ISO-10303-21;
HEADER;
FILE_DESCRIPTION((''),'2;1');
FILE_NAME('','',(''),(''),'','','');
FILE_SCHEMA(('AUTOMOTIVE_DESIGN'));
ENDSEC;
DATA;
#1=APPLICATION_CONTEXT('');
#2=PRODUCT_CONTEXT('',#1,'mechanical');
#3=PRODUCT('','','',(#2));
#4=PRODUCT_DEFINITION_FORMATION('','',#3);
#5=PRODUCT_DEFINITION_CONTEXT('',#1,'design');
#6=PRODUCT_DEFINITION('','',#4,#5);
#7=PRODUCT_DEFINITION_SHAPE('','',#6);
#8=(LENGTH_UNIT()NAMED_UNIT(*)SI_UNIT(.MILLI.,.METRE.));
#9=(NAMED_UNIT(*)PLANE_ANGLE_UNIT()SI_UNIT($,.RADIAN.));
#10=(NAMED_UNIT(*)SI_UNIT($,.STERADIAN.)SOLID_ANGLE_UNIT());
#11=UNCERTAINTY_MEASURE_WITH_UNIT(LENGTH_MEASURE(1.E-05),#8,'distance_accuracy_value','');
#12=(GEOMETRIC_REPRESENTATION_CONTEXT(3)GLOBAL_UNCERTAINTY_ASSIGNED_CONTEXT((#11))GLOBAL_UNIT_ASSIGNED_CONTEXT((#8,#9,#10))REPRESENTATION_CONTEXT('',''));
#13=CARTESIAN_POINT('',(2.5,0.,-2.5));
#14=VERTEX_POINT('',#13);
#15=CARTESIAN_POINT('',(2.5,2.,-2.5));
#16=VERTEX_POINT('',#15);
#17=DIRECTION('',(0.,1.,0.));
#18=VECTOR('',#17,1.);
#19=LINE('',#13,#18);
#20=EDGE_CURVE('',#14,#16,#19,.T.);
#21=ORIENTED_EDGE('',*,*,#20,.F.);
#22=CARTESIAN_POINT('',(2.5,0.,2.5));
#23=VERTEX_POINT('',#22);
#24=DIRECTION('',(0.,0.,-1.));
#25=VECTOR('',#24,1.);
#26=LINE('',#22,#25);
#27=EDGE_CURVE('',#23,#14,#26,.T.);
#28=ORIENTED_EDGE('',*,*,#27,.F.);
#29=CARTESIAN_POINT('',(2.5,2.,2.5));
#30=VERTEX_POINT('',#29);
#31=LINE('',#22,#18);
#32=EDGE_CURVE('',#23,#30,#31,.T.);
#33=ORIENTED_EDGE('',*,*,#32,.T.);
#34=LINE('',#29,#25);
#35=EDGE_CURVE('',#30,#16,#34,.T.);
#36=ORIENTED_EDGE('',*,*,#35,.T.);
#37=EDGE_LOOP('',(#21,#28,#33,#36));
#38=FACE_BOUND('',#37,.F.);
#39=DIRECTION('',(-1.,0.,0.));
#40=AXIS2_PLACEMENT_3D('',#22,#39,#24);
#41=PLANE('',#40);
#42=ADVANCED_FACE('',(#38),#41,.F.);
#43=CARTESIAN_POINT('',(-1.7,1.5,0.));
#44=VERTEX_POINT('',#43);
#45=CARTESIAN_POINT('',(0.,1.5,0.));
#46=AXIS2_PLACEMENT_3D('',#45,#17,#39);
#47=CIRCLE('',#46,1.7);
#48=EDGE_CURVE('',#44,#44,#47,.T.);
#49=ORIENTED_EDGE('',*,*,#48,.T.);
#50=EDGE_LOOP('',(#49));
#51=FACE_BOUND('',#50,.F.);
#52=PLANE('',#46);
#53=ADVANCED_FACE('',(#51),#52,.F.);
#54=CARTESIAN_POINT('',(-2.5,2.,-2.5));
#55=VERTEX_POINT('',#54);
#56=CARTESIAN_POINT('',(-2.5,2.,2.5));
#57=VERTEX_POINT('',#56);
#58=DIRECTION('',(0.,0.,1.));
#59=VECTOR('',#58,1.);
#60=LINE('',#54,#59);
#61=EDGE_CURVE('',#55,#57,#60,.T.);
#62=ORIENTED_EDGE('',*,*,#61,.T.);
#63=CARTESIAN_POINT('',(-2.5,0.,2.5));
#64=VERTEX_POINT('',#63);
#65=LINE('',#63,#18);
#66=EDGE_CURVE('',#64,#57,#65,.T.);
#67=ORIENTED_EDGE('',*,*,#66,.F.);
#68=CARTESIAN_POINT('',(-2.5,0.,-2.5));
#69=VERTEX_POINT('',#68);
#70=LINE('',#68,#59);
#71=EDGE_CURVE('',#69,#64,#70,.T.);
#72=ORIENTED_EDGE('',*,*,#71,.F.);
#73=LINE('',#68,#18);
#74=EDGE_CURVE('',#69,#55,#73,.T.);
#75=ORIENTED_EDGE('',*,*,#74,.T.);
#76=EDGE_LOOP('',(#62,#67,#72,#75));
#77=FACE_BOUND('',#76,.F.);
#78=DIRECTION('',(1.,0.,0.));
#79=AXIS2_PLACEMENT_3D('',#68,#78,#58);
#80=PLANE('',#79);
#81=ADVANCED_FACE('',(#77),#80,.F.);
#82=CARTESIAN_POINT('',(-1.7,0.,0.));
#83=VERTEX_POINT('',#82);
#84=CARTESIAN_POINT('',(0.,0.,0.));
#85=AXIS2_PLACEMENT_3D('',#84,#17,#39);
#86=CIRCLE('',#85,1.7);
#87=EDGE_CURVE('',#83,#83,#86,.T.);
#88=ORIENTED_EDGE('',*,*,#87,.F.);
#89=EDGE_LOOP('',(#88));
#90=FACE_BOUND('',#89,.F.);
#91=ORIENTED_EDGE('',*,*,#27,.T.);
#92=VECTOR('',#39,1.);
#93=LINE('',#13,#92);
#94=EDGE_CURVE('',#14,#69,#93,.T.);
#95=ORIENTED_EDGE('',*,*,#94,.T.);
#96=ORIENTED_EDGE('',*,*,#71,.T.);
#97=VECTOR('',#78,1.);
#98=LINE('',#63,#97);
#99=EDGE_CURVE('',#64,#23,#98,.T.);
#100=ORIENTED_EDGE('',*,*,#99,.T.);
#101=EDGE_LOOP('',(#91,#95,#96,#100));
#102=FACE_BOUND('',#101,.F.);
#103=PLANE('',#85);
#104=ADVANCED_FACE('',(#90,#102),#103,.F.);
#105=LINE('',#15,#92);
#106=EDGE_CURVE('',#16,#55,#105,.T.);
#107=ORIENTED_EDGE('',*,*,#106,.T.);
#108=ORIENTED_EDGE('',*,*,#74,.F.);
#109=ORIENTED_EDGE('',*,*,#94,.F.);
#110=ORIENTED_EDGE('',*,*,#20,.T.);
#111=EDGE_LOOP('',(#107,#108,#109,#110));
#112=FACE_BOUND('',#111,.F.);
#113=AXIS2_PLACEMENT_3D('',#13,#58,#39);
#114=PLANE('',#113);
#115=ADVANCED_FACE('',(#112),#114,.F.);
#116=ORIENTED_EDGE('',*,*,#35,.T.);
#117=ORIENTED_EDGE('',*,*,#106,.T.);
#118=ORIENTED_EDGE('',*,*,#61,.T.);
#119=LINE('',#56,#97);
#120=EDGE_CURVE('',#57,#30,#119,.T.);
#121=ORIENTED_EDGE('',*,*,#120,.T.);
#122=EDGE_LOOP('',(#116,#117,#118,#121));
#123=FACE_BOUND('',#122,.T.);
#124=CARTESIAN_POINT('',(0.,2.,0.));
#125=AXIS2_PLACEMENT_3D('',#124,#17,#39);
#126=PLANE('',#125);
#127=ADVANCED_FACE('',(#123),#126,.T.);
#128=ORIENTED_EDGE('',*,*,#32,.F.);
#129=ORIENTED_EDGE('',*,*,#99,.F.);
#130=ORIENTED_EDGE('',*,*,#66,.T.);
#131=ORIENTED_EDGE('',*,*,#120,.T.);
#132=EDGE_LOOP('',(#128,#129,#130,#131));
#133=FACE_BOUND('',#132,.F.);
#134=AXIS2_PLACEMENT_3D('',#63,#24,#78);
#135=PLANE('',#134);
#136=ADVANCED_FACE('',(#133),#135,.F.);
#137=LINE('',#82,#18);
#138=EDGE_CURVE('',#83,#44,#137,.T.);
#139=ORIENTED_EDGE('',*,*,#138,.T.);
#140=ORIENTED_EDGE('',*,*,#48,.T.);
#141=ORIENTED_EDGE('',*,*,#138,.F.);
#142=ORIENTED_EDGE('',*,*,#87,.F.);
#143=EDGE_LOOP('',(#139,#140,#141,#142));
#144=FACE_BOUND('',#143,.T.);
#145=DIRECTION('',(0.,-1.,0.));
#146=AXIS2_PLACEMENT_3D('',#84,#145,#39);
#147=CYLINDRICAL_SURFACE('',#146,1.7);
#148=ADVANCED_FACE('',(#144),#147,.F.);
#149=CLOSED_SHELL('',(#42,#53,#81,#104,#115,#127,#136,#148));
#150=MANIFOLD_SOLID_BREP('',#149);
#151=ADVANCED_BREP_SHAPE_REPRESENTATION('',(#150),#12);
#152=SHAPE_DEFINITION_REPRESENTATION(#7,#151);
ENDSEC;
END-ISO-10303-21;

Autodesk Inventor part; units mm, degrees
ref_plane "YZ Plane" through (0, 0, 0) normal (1, 0, 0) x (0, 1, 0)
ref_plane "XZ Plane" through (0, 0, 0) normal (0, 1, 0) x (-1, 0, 0)
ref_plane "XY Plane" through (0, 0, 0) normal (0, 0, 1) x (1, 0, 0)
sketch "草圖1" plane through (0, 0, 0) normal (0, 1, 0) x (-1, 0, 0)
  line L0 (2.5, 2.5) -> (-2.5, 2.5)
  line L1 (-2.5, 2.5) -> (-2.5, -2.5)
  line L2 (-2.5, -2.5) -> (2.5, -2.5)
  line L3 (2.5, -2.5) -> (2.5, 2.5)
  circle A0 centre (0, 0) radius 1.7
  point P0 (2.5, 0)
  point P1 (0, -2.5)
  dimension "d0" = 5
  dimension "d1" = 5
  dimension "d2" = 3.4
extrude "擠出1" add sketch "草圖1" along normal blind 2 contours L3 L2 L1 L0 | A0
extrude "擠出2" cut sketch "草圖1" along normal blind 1.5 contours A0
properties part number "110033226_ipt_37_小河方塊"
